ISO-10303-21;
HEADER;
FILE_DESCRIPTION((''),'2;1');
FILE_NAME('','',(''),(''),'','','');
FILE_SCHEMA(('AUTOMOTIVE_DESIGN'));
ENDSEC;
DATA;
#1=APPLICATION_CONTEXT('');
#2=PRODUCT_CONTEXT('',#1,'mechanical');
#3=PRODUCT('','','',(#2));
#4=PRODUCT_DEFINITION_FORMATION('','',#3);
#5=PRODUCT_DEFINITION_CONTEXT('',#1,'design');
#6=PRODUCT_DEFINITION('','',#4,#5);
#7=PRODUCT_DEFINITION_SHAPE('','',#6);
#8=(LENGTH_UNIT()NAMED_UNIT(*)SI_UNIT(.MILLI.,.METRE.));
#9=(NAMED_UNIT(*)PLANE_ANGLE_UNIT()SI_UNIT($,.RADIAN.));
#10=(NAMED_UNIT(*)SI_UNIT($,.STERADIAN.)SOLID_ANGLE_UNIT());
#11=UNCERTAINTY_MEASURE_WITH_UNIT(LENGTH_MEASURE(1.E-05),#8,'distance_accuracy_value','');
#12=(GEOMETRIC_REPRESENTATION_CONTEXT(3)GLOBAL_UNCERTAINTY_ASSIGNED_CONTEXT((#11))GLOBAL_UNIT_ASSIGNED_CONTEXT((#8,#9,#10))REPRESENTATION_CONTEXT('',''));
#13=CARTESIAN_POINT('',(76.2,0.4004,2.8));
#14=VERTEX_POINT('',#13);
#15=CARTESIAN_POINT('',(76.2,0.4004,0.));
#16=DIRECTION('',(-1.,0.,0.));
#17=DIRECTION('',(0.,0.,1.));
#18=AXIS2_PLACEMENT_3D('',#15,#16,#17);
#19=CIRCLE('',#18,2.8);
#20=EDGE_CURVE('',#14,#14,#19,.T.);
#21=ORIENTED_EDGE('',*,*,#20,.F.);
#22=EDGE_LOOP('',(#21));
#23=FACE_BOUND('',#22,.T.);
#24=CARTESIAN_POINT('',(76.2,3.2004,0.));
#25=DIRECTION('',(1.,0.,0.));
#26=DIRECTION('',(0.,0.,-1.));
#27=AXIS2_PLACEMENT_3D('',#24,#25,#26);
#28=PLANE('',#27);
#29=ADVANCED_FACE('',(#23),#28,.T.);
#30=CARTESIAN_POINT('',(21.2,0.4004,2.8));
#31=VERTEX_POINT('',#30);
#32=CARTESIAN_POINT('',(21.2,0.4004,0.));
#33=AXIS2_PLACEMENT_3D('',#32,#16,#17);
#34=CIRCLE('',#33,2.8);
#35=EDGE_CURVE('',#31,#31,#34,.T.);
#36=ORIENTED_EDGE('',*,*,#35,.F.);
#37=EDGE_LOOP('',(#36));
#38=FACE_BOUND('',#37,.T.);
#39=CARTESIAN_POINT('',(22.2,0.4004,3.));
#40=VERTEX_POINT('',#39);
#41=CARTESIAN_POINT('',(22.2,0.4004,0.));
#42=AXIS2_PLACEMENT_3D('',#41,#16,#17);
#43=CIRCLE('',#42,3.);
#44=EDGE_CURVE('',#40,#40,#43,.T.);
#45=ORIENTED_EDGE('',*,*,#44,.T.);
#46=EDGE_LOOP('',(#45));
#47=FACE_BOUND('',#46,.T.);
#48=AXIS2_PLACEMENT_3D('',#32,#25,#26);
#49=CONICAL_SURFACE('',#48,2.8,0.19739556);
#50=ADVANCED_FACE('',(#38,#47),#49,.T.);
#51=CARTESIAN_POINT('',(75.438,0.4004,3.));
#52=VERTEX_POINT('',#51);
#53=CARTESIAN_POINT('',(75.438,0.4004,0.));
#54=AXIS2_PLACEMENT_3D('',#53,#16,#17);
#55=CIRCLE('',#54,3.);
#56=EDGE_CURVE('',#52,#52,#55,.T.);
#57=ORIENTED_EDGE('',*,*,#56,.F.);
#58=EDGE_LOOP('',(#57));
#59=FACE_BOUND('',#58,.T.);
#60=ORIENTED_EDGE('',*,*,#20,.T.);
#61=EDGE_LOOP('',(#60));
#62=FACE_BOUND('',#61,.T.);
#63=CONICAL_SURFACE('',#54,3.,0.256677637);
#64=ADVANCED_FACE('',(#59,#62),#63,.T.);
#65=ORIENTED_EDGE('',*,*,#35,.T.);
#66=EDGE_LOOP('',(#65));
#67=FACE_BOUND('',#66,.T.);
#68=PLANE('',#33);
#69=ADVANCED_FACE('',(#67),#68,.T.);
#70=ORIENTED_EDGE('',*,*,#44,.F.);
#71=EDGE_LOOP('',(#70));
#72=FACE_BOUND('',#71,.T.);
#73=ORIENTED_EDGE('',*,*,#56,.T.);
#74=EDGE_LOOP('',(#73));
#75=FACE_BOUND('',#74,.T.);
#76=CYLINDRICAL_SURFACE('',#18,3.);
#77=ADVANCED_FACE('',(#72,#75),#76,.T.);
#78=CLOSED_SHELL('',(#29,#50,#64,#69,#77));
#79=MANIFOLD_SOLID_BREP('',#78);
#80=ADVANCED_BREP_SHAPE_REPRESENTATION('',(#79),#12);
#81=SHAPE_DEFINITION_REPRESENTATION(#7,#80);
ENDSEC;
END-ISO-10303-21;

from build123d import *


with BuildPart() as part:
    # Sketch1 → Revolve1 (revolve)
    with BuildSketch(Plane(origin=(0, 0, 0), x_dir=(-1, 0, 0), z_dir=(0, 0, -1)), mode=Mode.PRIVATE) as revolve1_sk:
        Polygon((-76.2, 3.2004), (-76.2, 0.4004), (-21.2, 0.4004), (-21.2, 3.2004), (-22.2, 3.4004), (-75.438, 3.4004), align=None)
    revolve(revolve1_sk.sketch.rotate(Axis((76.2, 0.4004, 0), (-1, 0, 0)), 270), axis=Axis((76.2, 0.4004, 0), (-1, 0, 0)))


solid = part.part
